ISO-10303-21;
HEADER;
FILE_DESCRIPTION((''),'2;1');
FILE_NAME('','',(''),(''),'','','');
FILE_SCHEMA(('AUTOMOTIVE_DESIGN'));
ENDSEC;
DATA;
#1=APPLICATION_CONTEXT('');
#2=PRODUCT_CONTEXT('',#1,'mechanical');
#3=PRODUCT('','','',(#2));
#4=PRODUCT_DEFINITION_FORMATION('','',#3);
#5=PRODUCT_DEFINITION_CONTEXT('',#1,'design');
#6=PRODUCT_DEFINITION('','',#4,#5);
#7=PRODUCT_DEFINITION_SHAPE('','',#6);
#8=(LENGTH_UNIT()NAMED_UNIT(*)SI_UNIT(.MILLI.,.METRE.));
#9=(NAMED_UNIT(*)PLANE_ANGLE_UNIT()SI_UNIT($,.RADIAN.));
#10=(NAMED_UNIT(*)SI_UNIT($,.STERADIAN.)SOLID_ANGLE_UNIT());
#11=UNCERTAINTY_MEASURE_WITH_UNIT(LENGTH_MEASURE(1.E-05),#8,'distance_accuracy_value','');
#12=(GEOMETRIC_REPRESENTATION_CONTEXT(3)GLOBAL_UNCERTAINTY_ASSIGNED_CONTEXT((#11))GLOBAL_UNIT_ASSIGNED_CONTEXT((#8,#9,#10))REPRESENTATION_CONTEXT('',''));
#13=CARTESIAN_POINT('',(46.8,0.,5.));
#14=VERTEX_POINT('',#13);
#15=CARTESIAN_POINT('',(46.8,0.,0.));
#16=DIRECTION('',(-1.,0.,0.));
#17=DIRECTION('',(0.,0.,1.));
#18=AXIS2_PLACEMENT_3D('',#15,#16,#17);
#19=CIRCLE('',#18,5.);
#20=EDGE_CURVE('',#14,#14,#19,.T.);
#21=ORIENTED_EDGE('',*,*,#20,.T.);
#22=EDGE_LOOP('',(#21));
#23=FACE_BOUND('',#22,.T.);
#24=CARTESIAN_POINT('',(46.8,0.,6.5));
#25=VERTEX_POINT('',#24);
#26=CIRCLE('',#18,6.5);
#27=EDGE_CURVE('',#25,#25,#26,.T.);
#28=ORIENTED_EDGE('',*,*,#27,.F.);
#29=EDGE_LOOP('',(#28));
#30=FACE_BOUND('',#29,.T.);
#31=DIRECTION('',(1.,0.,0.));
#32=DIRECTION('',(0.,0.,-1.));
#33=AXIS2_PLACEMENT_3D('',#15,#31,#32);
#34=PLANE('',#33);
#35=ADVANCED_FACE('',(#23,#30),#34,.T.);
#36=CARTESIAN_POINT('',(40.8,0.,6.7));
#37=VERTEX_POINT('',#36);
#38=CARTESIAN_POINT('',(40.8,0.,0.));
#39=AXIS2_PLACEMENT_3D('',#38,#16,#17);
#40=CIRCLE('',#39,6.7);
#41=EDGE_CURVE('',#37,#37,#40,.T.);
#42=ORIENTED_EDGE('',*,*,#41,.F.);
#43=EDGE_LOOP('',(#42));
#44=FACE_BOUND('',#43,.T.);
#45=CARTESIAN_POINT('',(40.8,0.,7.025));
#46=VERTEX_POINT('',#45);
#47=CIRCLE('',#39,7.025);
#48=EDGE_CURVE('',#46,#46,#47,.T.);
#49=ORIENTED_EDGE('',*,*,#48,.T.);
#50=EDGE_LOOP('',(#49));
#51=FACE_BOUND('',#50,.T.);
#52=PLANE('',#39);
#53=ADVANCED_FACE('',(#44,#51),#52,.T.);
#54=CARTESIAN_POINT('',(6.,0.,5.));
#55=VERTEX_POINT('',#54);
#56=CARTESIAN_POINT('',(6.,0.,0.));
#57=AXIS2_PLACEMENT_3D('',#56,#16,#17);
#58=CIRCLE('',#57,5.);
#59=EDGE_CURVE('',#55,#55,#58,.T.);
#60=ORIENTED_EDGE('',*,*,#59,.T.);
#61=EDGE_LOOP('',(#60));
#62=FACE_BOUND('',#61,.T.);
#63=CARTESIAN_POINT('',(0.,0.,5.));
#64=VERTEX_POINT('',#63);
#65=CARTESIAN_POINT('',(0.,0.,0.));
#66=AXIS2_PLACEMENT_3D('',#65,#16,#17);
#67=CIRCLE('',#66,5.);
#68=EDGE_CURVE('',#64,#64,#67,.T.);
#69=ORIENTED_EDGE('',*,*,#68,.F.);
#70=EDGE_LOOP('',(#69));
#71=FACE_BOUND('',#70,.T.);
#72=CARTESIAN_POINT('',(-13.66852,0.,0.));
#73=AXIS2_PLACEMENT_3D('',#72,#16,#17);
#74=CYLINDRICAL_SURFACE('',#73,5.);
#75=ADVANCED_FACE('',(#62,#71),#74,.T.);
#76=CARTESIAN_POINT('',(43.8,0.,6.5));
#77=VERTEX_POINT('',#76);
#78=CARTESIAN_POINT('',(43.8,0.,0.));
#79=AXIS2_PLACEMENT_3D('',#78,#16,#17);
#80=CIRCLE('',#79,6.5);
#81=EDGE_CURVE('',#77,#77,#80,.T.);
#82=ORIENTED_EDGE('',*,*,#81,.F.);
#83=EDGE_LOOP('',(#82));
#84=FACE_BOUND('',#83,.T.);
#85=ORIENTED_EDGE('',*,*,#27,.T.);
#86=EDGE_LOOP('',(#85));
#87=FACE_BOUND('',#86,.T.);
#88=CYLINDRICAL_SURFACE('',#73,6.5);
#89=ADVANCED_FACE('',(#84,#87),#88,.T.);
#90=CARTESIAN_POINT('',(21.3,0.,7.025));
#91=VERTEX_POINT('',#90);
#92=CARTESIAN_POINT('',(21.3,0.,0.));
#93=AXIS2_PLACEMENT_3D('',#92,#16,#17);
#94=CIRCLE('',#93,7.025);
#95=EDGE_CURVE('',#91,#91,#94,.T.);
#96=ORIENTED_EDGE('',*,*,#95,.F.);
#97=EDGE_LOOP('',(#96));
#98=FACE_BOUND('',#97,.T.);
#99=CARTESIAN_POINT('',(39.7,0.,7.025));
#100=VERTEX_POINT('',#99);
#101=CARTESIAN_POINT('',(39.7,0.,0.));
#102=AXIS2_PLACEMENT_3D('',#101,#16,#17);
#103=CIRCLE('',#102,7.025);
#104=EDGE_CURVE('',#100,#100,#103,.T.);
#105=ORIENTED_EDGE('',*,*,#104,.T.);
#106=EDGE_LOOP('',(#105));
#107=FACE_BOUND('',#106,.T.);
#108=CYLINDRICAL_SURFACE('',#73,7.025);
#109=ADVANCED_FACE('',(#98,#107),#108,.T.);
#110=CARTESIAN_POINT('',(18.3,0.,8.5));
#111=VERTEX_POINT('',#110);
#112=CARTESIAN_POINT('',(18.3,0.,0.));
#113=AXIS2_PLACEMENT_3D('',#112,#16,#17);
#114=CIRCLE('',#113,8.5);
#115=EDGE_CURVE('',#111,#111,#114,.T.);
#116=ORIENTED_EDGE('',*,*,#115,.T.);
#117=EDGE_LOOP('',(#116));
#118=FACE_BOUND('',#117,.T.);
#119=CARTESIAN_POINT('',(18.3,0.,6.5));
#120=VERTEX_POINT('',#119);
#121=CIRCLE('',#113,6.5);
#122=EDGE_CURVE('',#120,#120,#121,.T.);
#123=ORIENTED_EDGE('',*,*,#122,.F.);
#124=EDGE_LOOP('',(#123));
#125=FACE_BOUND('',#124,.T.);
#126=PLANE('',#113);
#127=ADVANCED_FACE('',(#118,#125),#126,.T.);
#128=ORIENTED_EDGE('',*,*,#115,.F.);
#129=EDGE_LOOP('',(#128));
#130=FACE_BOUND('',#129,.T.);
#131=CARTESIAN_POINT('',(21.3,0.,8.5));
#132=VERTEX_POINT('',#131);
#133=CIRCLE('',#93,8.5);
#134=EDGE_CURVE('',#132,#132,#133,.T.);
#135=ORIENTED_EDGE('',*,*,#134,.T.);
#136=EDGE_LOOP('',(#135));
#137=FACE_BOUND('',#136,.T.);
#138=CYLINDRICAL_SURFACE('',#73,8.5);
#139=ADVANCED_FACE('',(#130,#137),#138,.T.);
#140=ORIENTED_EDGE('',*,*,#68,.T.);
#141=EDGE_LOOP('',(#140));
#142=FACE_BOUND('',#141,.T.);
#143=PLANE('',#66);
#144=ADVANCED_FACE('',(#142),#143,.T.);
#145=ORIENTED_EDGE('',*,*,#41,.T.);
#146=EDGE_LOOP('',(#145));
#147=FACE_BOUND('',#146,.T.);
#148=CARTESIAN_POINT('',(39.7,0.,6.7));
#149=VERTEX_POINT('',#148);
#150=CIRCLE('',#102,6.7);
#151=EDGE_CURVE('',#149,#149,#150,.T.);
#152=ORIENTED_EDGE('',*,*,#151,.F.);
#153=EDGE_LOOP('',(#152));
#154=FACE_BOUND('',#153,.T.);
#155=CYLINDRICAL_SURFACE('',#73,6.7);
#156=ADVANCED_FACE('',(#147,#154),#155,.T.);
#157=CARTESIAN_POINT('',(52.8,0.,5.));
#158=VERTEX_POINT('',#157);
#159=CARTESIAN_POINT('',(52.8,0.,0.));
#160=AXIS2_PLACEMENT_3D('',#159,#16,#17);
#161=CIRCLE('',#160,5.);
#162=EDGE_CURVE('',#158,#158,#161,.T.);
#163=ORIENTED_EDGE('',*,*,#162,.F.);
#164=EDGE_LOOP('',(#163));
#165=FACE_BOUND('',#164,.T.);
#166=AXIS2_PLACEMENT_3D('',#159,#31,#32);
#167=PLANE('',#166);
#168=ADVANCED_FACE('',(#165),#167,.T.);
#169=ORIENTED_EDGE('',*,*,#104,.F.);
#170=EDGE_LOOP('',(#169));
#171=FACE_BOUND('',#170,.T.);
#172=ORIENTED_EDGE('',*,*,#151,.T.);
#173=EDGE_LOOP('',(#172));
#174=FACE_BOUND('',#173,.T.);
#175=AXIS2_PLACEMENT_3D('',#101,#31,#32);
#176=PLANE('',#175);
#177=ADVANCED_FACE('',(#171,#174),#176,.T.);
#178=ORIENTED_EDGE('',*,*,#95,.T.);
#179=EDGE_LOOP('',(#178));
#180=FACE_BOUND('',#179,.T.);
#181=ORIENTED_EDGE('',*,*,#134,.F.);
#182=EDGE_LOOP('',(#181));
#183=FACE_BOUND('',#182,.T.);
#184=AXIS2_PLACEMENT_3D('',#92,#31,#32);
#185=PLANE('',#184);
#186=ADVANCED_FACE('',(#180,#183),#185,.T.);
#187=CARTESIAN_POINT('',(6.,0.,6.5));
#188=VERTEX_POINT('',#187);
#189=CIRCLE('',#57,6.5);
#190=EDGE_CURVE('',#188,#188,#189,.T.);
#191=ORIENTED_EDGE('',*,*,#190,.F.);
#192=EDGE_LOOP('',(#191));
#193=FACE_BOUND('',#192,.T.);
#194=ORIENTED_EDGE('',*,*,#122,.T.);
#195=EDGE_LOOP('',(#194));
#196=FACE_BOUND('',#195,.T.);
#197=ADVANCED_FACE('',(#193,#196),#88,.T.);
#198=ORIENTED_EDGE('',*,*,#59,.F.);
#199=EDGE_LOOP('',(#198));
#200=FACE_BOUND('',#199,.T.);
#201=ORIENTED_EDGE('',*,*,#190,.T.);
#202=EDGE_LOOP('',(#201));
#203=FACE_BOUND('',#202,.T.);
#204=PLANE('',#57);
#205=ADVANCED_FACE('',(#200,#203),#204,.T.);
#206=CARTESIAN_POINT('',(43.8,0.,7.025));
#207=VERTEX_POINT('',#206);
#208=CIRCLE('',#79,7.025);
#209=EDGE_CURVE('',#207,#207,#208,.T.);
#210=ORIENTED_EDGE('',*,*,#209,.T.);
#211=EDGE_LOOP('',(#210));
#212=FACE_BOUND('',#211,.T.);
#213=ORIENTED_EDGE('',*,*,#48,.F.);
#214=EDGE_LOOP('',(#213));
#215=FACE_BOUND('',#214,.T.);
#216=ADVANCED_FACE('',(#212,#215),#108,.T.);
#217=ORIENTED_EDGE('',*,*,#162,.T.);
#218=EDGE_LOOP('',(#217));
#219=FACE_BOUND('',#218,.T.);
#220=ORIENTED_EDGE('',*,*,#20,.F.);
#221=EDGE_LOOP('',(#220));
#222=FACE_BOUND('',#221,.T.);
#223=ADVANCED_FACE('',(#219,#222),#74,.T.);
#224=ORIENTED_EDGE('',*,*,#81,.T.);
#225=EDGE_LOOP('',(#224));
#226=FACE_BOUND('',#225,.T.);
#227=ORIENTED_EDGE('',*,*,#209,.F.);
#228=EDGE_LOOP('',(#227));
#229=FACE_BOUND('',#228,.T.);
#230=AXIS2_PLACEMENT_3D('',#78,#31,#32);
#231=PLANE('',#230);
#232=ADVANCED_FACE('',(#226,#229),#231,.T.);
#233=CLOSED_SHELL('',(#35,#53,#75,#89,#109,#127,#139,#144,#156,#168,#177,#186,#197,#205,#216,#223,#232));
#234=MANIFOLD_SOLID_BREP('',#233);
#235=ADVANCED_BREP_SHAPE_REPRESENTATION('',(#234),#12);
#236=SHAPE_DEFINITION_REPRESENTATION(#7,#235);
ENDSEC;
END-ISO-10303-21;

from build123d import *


with BuildPart() as part:
    # Sketch1 → Revolve1 (revolve)
    with BuildSketch(Plane.XY, mode=Mode.PRIVATE) as revolve1_sk:
        Polygon((0, 5), (0, 0), (52.8, 0), (52.8, 5), (46.8, 5), (46.8, 6.5), (43.8, 6.5), (43.8, 7.025), (40.8, 7.025), (40.8, 6.7), (39.7, 6.7), (39.7, 7.025), (21.3, 7.025), (21.3, 8.5), (18.3, 8.5), (18.3, 6.5), (6, 6.5), (6, 5), align=None)
    revolve(revolve1_sk.sketch.rotate(Axis((-13.668520122, 0, 0), (1, 0, 0)), 90), axis=Axis((-13.668520122, 0, 0), (1, 0, 0)))


solid = part.part
